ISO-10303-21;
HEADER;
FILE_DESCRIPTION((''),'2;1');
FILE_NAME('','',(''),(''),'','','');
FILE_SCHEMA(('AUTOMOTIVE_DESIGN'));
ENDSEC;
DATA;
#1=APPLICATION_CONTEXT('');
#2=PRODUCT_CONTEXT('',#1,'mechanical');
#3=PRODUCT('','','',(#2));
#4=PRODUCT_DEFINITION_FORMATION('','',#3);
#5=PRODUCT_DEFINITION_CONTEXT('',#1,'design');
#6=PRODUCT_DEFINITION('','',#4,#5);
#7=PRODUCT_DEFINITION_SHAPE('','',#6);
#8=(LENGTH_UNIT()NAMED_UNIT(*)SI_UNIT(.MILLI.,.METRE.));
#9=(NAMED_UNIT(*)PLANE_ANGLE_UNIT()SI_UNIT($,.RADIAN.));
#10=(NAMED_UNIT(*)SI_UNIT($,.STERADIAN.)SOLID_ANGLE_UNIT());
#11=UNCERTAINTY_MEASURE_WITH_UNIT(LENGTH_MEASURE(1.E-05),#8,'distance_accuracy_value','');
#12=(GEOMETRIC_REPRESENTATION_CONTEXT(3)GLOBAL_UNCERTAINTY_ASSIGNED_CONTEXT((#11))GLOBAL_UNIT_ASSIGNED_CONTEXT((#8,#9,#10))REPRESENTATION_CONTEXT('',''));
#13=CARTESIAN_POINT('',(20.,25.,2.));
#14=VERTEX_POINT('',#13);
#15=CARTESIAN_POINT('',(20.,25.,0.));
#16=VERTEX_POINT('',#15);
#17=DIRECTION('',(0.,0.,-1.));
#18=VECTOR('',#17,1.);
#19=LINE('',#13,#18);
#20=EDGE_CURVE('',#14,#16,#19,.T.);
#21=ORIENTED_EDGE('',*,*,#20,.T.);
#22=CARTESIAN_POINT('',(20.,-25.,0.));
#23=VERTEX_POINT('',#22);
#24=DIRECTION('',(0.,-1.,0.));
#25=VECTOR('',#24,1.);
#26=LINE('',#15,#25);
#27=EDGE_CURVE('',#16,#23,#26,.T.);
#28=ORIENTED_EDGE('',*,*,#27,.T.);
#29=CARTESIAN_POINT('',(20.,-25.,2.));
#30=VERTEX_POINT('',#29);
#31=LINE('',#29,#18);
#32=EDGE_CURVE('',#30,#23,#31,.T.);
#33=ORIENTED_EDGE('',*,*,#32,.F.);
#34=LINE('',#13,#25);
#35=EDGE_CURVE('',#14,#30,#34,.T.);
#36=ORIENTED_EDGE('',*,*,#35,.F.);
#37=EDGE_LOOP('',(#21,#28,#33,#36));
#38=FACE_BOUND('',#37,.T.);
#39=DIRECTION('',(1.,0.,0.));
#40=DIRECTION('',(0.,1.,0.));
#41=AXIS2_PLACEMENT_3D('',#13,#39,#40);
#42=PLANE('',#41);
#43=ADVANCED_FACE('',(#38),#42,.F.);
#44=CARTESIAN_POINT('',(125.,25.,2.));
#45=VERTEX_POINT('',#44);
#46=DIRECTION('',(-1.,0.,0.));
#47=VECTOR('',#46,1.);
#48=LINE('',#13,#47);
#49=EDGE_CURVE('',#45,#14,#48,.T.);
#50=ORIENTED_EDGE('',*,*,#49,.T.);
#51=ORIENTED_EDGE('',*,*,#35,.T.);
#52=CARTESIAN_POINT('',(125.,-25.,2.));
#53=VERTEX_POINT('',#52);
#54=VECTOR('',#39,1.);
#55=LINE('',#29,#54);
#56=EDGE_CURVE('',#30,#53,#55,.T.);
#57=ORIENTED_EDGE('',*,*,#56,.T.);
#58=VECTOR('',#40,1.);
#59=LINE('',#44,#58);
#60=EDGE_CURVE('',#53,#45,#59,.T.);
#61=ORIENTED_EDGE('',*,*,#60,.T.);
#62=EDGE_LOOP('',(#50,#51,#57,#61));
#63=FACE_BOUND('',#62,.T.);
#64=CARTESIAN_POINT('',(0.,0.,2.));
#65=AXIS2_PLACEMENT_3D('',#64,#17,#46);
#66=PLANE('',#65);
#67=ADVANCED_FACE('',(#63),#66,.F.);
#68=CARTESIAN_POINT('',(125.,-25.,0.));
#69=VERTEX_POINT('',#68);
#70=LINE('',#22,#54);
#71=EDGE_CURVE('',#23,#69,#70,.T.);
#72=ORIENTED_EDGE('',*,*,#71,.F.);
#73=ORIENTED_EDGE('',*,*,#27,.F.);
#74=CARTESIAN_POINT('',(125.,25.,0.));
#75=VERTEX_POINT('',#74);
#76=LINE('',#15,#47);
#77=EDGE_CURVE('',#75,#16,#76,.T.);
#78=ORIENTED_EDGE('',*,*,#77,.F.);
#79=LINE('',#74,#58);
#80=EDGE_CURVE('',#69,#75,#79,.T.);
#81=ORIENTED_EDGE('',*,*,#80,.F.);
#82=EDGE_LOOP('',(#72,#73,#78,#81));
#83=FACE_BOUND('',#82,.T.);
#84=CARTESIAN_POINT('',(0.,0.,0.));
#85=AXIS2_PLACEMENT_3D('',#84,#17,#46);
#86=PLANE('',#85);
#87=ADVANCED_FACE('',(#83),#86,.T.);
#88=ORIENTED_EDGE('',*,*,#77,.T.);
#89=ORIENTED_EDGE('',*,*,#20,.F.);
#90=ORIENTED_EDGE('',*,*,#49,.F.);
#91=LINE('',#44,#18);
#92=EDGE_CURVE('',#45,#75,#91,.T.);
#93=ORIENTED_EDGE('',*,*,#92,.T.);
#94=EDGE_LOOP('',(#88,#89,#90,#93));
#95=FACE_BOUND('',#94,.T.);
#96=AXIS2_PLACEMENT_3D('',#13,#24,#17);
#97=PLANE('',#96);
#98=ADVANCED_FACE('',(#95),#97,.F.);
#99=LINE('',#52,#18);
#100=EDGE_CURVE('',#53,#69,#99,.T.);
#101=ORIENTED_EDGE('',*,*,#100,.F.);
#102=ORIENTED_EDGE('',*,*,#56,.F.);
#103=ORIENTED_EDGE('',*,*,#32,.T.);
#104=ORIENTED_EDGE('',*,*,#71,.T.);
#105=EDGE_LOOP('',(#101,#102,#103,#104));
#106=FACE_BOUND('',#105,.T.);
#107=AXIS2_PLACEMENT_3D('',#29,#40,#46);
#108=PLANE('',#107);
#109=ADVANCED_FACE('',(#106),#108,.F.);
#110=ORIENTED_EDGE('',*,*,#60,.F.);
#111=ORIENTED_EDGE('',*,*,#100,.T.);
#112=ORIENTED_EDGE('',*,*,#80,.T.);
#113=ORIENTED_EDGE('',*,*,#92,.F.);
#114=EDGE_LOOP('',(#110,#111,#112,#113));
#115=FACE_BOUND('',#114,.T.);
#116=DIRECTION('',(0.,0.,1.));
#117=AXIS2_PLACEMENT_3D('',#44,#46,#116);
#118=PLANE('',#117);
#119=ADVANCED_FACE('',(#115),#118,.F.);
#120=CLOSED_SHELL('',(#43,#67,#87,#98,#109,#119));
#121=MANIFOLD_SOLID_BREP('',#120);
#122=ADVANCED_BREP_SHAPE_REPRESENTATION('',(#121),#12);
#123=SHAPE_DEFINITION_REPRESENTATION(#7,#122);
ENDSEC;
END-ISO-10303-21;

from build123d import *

# Parameters (mm, degrees)
SKETCH_1_W      = 105
SKETCH_1_H      = 50
EXTRUDE_1_DEPTH = 2


with BuildPart() as part:
    # 草图1 → 凸台-拉伸1 (new body)
    with BuildSketch(Plane.XY):
        with Locations((72.5, 0)):
            Rectangle(SKETCH_1_W, SKETCH_1_H)
    extrude(amount=EXTRUDE_1_DEPTH)


solid = part.part
